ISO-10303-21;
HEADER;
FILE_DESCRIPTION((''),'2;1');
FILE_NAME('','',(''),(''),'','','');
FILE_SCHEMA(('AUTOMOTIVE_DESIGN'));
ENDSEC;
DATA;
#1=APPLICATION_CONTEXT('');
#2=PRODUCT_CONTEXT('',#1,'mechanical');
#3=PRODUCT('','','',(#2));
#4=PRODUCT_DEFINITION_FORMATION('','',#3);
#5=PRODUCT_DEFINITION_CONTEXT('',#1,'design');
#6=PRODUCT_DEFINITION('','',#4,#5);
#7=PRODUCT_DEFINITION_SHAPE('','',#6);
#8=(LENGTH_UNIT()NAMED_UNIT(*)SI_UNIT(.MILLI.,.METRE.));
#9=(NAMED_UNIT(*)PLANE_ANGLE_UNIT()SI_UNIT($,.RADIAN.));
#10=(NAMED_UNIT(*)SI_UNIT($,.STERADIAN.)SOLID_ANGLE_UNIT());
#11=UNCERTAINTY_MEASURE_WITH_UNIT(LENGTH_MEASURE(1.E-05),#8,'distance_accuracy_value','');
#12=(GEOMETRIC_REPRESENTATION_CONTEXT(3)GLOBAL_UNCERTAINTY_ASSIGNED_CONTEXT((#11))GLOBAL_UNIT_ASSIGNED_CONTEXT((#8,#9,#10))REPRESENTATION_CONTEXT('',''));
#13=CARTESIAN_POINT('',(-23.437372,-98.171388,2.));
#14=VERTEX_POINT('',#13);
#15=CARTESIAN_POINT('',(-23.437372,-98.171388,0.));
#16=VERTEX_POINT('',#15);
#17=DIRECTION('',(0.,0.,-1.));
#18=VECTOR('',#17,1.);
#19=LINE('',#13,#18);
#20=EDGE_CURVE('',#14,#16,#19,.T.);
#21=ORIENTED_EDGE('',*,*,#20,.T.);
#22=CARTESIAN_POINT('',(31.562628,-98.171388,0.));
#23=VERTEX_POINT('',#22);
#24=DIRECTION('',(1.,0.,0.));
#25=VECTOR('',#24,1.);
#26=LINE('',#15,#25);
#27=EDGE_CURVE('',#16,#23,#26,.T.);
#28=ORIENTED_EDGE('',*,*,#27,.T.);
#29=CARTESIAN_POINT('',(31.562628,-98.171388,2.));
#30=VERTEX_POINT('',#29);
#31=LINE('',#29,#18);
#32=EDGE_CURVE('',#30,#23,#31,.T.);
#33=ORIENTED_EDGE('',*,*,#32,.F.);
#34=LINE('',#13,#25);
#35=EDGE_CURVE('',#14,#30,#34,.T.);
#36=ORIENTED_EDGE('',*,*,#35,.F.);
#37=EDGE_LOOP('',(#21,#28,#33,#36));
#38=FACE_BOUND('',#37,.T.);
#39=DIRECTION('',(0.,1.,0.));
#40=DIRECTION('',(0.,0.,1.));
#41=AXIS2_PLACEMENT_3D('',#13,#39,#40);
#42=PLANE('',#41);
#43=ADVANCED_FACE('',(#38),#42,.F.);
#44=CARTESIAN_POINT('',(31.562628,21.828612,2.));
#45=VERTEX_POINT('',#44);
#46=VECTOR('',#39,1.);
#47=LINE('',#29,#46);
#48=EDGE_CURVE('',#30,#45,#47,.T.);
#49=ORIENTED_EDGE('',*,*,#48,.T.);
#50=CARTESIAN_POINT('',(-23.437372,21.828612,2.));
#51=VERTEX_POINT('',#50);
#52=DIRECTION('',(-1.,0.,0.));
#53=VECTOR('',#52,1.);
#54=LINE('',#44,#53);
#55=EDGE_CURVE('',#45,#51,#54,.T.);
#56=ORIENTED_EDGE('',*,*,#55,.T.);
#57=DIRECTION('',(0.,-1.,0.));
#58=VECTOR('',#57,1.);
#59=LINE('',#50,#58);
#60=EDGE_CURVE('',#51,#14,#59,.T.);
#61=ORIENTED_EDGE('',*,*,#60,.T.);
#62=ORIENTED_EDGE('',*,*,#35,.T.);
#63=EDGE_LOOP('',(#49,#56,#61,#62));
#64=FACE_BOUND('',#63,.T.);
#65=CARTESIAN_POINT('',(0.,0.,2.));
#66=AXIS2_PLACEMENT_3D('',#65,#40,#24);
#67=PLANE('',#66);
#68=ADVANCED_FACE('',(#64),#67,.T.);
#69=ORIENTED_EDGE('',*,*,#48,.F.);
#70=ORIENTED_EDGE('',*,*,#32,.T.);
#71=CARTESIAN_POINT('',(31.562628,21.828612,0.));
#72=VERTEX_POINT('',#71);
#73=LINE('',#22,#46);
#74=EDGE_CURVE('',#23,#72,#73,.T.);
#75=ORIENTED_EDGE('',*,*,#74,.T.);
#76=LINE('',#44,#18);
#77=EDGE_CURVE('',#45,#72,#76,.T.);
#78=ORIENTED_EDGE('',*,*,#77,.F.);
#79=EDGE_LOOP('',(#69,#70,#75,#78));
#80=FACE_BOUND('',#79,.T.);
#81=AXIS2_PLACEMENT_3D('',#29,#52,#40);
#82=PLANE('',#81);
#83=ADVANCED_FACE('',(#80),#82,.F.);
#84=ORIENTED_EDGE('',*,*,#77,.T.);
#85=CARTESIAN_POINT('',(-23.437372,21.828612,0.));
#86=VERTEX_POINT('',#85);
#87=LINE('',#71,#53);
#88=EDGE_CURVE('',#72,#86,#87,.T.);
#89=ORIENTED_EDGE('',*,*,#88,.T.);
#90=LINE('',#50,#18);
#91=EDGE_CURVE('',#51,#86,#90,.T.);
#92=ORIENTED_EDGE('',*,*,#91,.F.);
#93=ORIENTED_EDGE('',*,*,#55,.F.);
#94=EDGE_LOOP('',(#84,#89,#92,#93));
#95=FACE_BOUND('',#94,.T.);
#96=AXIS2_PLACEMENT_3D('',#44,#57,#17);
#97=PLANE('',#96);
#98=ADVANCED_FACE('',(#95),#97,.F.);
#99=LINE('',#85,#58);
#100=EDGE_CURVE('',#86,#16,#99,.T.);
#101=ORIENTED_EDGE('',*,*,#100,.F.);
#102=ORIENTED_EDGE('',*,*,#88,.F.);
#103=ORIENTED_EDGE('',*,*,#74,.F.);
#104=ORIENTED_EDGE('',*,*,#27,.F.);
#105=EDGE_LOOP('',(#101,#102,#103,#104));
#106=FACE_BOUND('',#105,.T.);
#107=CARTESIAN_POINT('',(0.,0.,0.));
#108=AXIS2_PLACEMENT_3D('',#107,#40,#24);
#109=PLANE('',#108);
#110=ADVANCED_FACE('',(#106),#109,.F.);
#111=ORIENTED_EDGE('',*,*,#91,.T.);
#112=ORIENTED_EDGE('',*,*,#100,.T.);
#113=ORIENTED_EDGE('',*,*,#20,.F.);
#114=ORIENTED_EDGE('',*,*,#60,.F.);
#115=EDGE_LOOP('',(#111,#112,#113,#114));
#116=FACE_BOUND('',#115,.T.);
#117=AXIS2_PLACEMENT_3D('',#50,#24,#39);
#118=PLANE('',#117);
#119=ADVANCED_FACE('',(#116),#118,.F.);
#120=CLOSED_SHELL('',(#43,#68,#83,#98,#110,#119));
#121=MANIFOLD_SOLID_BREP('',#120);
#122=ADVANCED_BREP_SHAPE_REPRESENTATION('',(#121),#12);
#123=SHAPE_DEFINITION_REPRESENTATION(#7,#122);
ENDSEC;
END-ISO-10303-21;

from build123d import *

# Parameters (mm, degrees)
SZKIC1_W                    = 55
SZKIC1_H                    = 120
DODANIE_WYCI_GNI_CIE1_DEPTH = 2


with BuildPart() as part:
    # Szkic1 → Dodanie-wyciągnięcie1 (new body)
    with BuildSketch(Plane.XY):
        with Locations((4.062627815, -38.171388338)):
            Rectangle(SZKIC1_W, SZKIC1_H)
    extrude(amount=DODANIE_WYCI_GNI_CIE1_DEPTH)


solid = part.part
